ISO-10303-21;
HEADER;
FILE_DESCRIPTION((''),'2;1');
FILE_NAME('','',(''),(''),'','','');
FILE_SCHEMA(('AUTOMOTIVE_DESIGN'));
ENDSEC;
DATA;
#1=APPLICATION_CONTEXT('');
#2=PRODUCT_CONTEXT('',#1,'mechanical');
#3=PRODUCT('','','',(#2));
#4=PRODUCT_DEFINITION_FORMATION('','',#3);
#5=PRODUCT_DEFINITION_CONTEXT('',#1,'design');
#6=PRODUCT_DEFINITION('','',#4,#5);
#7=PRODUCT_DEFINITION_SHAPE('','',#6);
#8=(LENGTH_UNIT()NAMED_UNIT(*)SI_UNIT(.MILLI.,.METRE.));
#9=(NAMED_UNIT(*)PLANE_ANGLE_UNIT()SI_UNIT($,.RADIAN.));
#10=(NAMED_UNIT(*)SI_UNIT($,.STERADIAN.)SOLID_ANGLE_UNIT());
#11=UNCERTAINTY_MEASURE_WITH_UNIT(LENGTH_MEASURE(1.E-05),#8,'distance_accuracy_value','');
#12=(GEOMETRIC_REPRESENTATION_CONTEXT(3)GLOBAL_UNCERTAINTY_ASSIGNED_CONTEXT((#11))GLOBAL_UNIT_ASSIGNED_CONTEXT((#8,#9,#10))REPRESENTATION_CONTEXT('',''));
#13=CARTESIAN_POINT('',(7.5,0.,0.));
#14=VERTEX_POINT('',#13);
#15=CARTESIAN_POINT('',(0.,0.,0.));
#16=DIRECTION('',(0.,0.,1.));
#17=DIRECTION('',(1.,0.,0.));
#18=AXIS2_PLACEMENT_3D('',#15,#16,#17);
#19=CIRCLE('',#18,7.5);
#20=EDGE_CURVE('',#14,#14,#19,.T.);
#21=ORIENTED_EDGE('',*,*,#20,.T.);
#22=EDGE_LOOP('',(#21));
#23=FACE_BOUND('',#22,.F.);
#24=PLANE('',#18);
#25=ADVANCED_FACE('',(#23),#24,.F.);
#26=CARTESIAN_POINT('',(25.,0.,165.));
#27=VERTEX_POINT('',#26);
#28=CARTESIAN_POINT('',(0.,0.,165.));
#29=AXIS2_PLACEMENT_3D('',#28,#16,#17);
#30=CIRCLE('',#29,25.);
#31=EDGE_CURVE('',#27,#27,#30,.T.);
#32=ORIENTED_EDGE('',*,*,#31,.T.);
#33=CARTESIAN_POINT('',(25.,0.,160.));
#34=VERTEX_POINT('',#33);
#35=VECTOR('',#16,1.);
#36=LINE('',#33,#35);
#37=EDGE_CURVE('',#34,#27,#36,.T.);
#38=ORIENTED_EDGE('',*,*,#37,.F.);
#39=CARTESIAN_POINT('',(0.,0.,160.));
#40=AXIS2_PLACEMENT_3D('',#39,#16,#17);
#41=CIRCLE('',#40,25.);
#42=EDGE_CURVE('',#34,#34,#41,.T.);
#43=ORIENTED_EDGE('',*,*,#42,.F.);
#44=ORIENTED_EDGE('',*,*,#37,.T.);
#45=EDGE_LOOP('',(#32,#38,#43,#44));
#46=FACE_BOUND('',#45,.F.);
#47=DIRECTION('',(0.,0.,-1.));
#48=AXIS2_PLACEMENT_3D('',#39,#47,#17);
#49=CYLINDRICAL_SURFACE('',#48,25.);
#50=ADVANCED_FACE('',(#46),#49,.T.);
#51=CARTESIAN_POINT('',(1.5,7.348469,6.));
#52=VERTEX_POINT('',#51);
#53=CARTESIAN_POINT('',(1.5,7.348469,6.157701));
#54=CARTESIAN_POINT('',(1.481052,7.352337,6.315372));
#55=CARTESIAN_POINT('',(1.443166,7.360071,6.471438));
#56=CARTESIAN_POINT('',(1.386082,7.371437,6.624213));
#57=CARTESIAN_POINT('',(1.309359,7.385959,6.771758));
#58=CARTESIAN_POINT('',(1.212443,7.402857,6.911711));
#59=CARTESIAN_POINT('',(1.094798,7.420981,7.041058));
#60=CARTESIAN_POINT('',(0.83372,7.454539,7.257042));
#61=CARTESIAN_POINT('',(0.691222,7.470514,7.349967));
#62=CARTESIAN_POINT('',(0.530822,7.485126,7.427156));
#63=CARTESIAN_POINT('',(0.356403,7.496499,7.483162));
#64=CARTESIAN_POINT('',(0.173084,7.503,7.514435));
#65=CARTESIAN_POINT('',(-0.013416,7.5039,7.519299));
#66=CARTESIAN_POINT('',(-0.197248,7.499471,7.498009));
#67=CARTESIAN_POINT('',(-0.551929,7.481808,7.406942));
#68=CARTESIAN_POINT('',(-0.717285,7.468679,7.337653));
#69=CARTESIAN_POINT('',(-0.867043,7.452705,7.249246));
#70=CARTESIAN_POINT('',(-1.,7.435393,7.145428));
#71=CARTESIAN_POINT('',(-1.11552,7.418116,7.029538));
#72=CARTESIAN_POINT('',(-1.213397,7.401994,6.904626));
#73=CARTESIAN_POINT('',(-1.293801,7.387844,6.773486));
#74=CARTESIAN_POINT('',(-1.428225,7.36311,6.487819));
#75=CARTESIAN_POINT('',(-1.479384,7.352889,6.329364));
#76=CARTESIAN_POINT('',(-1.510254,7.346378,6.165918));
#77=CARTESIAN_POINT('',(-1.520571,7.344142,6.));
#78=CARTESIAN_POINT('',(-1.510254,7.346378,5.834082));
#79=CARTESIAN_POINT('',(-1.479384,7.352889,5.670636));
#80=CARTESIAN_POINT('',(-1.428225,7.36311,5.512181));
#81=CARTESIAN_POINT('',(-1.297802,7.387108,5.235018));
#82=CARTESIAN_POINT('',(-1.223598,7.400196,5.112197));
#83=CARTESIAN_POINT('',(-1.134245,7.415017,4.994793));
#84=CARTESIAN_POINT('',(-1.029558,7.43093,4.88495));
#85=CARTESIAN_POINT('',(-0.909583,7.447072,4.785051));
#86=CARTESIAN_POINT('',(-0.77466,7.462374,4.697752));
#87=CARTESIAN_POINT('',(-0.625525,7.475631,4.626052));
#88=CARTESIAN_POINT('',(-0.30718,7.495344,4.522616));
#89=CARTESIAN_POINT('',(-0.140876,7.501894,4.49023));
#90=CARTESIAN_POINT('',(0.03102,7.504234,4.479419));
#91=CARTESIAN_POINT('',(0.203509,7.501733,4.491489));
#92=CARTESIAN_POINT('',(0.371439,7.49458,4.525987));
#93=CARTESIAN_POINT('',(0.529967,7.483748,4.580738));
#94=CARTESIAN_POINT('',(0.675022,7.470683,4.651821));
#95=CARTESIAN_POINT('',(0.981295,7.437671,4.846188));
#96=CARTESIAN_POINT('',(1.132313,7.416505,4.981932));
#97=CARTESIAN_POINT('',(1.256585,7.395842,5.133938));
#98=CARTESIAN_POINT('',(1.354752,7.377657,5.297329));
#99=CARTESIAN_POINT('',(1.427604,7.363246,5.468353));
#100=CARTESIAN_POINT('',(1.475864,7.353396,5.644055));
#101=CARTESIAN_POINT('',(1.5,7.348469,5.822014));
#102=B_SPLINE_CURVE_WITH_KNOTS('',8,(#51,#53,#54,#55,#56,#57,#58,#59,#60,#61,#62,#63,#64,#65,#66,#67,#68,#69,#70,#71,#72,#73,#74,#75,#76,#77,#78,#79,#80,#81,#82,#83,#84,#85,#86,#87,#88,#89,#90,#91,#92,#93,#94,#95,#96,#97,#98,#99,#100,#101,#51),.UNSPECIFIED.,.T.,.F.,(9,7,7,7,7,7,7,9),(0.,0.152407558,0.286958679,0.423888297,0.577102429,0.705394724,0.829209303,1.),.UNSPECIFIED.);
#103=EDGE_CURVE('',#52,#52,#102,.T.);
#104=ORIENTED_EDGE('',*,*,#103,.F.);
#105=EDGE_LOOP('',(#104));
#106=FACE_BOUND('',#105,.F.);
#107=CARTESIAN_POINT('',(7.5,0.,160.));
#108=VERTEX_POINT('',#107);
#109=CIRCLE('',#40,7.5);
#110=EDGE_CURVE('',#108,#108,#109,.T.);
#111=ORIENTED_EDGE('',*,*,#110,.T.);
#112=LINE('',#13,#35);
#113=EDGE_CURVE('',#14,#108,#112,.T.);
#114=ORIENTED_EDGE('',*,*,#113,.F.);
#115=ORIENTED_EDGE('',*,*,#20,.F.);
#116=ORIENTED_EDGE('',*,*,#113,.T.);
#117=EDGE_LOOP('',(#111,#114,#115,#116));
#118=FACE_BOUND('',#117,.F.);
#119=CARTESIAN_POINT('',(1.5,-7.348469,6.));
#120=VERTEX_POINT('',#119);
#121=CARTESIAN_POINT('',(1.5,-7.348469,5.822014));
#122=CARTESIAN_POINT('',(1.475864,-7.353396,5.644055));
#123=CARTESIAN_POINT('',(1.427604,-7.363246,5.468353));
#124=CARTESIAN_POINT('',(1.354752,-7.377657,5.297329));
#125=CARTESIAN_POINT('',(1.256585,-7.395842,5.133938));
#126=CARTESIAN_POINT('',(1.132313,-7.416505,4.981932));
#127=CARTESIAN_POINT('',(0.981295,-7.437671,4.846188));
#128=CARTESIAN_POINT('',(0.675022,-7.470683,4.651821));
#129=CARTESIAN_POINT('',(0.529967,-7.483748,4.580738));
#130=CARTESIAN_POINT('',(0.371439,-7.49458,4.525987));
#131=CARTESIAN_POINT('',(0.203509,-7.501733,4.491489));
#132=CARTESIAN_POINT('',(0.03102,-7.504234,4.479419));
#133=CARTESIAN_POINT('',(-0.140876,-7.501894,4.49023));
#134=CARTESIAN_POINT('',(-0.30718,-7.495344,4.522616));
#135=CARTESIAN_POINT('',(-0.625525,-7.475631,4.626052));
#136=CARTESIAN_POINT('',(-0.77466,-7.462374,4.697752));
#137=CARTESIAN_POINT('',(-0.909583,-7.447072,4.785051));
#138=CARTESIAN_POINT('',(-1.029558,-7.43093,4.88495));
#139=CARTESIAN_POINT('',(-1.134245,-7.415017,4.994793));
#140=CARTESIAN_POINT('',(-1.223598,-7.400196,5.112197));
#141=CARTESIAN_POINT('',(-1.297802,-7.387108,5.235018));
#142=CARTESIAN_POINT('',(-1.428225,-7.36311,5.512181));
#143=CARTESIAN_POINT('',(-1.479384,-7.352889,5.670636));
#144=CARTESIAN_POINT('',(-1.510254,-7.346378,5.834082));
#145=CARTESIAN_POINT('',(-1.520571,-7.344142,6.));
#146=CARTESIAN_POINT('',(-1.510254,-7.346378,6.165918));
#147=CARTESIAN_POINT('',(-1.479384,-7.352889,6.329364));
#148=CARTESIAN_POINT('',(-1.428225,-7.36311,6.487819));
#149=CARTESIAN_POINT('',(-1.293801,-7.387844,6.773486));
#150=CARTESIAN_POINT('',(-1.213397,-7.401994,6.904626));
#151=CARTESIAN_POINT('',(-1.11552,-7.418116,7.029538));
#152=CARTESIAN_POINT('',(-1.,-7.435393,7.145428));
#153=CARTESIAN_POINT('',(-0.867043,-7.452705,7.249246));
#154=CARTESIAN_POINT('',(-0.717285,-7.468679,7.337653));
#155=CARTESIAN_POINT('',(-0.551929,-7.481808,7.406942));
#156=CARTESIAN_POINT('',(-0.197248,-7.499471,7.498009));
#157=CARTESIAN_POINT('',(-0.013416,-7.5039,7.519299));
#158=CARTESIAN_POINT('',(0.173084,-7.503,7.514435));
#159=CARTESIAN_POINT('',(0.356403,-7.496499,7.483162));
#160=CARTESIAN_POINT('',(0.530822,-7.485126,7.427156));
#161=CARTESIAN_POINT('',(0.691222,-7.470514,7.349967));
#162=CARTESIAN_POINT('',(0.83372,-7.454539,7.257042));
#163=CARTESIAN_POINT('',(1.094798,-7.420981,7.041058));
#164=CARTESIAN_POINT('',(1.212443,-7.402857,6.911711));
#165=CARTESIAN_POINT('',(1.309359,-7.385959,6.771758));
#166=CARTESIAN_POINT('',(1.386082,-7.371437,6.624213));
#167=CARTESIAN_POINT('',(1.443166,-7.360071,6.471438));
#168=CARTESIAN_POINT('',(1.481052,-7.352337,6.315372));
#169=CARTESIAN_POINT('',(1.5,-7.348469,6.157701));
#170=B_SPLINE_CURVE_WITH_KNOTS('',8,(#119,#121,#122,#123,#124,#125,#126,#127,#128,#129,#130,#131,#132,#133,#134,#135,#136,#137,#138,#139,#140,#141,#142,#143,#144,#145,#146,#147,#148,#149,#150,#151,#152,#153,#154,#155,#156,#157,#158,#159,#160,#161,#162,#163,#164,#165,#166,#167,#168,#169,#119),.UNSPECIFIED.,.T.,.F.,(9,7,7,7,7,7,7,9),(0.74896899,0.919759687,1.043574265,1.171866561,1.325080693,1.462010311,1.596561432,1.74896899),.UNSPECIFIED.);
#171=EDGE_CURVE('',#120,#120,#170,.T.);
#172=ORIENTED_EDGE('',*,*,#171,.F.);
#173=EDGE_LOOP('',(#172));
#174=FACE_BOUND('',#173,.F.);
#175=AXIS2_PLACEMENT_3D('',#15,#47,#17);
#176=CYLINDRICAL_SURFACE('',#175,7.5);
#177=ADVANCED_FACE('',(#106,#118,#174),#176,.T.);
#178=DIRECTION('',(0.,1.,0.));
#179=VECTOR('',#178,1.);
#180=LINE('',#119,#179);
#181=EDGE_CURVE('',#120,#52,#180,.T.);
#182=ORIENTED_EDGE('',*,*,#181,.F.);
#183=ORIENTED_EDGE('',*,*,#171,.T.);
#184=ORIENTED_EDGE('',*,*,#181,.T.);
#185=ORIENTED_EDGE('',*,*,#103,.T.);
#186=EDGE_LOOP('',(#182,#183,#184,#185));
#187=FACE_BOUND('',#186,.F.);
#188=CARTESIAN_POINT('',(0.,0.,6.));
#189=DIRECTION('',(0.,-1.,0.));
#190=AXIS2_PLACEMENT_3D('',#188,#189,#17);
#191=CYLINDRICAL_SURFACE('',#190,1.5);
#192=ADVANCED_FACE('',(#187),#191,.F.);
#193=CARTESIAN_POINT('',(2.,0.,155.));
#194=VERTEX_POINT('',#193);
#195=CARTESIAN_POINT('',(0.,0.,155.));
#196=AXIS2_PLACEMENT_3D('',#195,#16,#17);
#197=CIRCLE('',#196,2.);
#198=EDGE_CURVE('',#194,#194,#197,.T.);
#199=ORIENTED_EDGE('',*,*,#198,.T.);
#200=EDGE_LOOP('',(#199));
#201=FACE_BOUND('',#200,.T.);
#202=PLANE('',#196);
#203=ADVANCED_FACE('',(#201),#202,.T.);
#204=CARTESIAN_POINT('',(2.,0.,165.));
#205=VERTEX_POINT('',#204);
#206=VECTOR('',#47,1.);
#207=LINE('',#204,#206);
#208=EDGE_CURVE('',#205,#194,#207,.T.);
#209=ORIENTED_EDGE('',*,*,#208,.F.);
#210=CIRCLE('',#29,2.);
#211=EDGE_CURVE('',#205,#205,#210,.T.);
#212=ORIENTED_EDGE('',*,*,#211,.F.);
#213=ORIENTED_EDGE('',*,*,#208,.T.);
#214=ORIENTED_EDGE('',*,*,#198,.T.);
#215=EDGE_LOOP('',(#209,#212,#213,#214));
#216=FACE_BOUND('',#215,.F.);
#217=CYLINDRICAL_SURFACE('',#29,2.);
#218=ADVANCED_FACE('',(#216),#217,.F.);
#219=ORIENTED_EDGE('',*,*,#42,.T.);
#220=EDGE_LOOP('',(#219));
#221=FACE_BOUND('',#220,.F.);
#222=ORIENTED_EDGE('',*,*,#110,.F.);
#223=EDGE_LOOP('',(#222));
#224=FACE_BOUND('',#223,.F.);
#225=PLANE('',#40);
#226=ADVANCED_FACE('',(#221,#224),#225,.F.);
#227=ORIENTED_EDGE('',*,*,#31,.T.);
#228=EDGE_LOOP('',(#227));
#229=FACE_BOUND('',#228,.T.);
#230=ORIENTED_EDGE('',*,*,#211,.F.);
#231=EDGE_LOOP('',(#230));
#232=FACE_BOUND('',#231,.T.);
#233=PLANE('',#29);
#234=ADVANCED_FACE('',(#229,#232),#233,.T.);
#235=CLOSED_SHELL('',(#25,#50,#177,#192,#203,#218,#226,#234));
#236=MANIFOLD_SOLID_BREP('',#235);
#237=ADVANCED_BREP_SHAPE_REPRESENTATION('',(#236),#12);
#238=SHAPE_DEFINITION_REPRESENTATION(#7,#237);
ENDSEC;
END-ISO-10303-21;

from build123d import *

# Parameters (mm, degrees)
F0_R          = 7.5
F1_DEPTH      = 160
F2_R          = 25
F3_DEPTH      = 5
F4_R          = 1.5
F5_DEPTH      = 7.5
F5_DEPTH_BACK = 7.5
F6_R          = 2
F7_DEPTH      = 10


with BuildPart() as f1:
    # F0 (on Top) → F1 (new body)
    with BuildSketch(Plane.XY):
        Circle(F0_R)
    extrude(amount=F1_DEPTH)

    # F2 (on face) → F3 (join)
    with BuildSketch(Plane.XY.offset(160)):
        Circle(F2_R)
    extrude(amount=F3_DEPTH)

    # F4 (on Front) → F5 (cut, two sides)
    with BuildSketch(Plane.XZ) as f5_sk:
        with Locations((0, 6)):
            Circle(F4_R)
    extrude(amount=-F5_DEPTH, mode=Mode.SUBTRACT)
    extrude(f5_sk.sketch, amount=F5_DEPTH_BACK, mode=Mode.SUBTRACT)

    # F6 (on face) → F7 (cut)
    with BuildSketch(Plane.XY.offset(165)):
        Circle(F6_R)
    extrude(amount=-F7_DEPTH, mode=Mode.SUBTRACT)


solid = f1.part
